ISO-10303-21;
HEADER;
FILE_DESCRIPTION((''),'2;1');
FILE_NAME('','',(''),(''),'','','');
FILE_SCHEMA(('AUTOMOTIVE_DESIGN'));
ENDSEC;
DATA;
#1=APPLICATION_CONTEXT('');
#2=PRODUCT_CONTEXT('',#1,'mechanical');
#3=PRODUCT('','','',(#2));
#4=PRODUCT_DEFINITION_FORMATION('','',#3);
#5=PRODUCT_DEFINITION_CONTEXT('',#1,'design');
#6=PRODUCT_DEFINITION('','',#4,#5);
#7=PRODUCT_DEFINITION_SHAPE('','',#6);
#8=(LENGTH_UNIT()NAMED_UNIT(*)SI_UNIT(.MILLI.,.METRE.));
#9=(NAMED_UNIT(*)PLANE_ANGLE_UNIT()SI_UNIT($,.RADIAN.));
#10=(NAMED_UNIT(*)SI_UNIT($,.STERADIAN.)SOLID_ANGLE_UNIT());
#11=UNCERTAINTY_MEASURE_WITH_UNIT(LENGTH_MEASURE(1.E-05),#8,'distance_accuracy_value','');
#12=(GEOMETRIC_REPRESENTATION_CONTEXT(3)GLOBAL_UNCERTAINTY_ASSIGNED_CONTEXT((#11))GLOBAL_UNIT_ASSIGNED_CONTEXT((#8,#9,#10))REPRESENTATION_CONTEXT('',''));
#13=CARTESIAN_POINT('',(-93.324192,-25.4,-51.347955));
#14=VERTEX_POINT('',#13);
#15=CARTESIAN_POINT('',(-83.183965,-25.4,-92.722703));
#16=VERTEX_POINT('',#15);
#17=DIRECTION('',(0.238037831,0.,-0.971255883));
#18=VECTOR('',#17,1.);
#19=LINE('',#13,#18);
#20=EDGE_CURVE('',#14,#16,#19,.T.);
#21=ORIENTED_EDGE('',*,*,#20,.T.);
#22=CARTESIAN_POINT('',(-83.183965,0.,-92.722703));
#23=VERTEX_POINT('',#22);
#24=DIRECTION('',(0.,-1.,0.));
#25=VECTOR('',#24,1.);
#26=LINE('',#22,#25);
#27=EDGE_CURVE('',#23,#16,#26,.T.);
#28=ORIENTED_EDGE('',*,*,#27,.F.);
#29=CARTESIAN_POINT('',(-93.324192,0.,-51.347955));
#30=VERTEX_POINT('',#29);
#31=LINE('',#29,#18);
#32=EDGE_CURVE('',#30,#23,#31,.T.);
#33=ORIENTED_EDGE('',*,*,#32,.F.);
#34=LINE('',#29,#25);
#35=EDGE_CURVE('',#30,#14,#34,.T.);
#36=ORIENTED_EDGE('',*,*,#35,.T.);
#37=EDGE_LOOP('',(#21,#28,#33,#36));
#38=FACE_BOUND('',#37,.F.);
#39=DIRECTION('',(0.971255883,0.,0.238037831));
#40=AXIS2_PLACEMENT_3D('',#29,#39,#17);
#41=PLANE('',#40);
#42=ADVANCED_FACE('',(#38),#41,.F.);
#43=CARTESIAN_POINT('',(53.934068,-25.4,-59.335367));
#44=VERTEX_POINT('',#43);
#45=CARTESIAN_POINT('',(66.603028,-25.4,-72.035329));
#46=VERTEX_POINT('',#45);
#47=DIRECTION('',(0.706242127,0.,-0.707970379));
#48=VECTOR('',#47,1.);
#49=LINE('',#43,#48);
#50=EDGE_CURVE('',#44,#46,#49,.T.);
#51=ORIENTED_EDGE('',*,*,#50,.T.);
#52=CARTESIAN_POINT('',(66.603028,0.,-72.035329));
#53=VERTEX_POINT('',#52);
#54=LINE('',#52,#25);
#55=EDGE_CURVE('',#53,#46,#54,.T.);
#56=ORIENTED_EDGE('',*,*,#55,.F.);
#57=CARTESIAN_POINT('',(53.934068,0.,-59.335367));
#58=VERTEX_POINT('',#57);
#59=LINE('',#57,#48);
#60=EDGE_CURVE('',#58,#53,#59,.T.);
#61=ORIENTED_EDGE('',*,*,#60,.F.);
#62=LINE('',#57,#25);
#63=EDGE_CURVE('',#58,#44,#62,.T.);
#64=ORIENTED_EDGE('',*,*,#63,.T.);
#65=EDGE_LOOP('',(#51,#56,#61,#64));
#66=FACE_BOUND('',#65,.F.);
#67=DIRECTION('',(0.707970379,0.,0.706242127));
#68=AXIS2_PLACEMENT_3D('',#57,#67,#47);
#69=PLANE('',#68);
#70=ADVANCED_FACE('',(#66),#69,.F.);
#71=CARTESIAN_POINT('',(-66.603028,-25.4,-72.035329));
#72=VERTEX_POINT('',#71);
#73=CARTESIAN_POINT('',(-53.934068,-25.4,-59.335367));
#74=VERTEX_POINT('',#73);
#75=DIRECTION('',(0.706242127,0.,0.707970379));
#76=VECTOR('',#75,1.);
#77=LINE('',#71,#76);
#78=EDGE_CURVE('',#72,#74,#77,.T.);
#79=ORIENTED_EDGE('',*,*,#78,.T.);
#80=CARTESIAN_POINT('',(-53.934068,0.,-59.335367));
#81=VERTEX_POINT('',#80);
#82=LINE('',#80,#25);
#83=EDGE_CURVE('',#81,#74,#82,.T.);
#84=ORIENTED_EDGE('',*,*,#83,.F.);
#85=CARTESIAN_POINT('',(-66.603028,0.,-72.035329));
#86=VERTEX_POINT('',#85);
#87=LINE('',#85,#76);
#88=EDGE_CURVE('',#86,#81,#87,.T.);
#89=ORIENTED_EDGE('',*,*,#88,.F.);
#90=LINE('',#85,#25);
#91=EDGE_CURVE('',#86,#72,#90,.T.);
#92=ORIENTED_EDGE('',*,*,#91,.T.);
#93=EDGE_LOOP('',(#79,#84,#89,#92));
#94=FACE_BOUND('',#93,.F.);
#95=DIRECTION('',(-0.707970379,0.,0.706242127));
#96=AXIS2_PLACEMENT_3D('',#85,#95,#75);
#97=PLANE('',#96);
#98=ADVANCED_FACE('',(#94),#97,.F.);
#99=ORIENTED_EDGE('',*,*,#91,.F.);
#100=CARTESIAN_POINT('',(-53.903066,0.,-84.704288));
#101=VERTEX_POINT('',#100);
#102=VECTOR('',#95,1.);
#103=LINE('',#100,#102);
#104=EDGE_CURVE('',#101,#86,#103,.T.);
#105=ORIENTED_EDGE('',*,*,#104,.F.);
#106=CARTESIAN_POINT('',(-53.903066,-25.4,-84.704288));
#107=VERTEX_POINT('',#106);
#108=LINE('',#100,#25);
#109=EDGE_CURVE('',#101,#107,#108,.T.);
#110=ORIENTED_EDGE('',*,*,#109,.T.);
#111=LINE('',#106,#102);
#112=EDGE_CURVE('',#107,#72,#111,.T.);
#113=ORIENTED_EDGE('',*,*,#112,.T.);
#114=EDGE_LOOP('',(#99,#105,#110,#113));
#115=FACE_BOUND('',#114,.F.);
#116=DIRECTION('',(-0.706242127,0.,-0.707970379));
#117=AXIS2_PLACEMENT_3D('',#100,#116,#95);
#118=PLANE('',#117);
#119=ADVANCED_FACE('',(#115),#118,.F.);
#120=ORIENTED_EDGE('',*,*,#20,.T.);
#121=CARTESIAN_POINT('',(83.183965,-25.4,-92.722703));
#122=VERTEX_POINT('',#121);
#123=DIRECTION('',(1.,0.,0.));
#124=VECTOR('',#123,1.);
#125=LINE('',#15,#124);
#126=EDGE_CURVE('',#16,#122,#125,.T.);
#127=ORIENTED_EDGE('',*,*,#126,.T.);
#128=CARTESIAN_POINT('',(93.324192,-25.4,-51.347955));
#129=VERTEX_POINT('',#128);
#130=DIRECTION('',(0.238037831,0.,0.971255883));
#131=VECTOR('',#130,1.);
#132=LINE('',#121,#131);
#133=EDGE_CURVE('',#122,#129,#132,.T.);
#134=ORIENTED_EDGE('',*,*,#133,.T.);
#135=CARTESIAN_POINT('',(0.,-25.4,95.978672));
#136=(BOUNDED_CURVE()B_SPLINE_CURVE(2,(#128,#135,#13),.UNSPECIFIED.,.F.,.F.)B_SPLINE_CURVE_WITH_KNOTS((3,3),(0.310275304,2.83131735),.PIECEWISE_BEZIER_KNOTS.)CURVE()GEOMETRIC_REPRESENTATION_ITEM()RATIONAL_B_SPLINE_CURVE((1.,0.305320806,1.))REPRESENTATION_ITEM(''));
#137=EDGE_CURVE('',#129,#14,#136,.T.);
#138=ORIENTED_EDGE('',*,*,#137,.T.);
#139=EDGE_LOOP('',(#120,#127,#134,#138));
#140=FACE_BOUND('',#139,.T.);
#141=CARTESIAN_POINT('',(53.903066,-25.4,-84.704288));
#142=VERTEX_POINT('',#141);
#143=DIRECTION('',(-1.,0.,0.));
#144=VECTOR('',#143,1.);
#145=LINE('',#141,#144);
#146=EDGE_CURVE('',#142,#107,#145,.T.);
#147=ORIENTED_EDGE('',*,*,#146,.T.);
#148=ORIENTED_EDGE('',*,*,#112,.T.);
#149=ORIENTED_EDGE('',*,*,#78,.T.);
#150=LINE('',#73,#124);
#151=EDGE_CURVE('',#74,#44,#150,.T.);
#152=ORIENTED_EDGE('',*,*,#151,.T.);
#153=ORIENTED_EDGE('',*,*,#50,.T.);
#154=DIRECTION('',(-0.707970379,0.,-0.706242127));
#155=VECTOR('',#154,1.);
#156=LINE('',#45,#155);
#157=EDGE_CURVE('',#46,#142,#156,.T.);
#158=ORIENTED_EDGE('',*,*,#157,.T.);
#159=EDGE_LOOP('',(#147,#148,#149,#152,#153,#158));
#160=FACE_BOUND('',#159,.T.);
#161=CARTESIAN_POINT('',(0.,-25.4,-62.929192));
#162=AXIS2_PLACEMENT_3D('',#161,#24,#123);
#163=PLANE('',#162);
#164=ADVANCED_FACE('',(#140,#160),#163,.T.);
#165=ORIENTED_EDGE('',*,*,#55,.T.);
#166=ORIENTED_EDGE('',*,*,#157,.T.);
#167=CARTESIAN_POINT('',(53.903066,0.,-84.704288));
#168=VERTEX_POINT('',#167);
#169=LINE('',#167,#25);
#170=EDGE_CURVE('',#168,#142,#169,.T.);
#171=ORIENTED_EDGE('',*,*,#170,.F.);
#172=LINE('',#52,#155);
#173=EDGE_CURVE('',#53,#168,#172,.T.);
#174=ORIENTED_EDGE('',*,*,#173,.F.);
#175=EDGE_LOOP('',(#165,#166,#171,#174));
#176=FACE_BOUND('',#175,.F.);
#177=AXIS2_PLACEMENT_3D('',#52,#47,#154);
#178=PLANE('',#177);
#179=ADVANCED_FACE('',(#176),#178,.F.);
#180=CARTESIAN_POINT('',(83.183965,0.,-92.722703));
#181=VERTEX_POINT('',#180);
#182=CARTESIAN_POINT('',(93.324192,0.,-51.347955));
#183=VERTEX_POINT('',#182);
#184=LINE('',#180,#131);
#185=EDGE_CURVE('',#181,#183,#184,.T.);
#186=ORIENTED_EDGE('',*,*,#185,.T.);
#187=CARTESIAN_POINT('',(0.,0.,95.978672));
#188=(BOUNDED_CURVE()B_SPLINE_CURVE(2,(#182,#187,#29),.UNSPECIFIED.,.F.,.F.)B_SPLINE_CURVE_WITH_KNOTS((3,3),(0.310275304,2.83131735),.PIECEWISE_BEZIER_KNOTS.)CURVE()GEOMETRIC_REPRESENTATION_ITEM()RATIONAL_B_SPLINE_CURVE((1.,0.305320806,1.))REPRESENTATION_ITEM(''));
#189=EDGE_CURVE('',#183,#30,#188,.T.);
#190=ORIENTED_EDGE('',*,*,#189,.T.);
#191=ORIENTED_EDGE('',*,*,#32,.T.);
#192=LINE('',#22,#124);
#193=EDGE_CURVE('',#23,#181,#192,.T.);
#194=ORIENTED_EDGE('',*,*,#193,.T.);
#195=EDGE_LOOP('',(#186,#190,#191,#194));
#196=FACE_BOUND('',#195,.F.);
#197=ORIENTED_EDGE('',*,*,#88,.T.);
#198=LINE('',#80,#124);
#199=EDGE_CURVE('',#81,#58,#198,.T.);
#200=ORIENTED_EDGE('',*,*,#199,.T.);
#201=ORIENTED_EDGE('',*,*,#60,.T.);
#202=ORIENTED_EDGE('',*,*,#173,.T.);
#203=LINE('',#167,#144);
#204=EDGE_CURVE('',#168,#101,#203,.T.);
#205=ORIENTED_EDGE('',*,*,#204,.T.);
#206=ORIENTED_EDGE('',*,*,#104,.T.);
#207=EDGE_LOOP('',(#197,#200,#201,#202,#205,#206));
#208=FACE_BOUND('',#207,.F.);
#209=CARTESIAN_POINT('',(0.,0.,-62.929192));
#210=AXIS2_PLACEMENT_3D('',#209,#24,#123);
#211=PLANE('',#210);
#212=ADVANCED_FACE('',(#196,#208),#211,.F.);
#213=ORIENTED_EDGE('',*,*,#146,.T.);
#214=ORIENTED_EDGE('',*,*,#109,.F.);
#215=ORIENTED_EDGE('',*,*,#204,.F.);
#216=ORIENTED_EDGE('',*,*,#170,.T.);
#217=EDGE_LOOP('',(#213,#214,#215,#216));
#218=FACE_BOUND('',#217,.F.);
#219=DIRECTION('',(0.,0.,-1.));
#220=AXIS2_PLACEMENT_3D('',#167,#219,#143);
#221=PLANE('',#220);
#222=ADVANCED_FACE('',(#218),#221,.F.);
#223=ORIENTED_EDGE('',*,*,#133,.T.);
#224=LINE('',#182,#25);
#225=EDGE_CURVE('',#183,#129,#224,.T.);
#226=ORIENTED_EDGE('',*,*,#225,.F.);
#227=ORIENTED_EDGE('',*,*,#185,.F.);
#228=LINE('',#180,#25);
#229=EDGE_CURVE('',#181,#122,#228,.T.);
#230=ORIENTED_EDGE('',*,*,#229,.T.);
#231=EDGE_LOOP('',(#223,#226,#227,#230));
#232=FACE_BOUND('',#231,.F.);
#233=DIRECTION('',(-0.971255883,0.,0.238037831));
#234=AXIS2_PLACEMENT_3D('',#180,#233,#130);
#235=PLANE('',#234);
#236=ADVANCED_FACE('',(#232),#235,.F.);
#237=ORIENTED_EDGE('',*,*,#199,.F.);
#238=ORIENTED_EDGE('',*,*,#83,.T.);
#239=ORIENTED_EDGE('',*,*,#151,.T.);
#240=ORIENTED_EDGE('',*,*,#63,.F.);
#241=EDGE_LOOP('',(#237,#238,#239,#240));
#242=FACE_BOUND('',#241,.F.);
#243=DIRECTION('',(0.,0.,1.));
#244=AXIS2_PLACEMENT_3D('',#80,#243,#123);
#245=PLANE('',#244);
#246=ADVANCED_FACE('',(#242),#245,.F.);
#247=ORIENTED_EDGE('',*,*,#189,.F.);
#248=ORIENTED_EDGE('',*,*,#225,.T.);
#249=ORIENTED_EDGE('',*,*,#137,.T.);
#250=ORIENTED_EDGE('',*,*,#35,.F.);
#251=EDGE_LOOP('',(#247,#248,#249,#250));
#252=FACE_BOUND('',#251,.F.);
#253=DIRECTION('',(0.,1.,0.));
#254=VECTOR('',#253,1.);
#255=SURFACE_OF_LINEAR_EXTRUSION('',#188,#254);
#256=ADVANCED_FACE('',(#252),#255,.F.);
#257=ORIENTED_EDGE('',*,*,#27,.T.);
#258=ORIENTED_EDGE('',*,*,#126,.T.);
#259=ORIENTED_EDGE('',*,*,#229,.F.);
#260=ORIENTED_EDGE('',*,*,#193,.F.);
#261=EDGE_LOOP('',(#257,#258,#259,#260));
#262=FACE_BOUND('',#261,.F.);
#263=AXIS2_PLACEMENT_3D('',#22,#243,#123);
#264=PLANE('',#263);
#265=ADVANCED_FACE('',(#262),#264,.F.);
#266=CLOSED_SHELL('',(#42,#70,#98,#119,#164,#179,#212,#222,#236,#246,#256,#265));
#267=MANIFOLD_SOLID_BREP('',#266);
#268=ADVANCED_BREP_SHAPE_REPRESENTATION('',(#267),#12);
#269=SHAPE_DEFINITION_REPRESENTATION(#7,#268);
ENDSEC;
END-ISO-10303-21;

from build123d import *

# Parameters (mm, degrees)
F2_DEPTH = 25.4


with BuildPart() as f2:
    # F1 (on Front) → F2 (new body)
    with BuildSketch(Plane.XZ):
        with BuildLine():
            Line((83.1839653551, -92.7227025355), (93.3241924209, -51.3479548737))
            add(Edge.make_bspline(
                [(93.3241924209, -51.3479548737), (0, 95.9786721212), (-93.3241924209, -51.3479548737)],
                knots=[0.3102753039, 0.3102753039, 0.3102753039, 2.8313173497, 2.8313173497, 2.8313173497], degree=2, weights=[1, 0.3053208061, 1]))
            Line((-93.3241924209, -51.3479548737), (-83.1839653551, -92.7227025355))
            Line((-83.1839653551, -92.7227025355), (83.1839653551, -92.7227025355))
        make_face()
        Polygon((-66.6030276888, -72.0353287046), (-53.9340679584, -59.3353666377), (47.827086872, -59.3353666377), (53.9340679584, -59.3353666377), (66.6030276888, -72.0353287046), (53.9030656219, -84.704288435), (47.8580892086, -84.704288435), (-53.9030656219, -84.704288435), align=None, mode=Mode.SUBTRACT)
    extrude(amount=F2_DEPTH)


solid = f2.part
